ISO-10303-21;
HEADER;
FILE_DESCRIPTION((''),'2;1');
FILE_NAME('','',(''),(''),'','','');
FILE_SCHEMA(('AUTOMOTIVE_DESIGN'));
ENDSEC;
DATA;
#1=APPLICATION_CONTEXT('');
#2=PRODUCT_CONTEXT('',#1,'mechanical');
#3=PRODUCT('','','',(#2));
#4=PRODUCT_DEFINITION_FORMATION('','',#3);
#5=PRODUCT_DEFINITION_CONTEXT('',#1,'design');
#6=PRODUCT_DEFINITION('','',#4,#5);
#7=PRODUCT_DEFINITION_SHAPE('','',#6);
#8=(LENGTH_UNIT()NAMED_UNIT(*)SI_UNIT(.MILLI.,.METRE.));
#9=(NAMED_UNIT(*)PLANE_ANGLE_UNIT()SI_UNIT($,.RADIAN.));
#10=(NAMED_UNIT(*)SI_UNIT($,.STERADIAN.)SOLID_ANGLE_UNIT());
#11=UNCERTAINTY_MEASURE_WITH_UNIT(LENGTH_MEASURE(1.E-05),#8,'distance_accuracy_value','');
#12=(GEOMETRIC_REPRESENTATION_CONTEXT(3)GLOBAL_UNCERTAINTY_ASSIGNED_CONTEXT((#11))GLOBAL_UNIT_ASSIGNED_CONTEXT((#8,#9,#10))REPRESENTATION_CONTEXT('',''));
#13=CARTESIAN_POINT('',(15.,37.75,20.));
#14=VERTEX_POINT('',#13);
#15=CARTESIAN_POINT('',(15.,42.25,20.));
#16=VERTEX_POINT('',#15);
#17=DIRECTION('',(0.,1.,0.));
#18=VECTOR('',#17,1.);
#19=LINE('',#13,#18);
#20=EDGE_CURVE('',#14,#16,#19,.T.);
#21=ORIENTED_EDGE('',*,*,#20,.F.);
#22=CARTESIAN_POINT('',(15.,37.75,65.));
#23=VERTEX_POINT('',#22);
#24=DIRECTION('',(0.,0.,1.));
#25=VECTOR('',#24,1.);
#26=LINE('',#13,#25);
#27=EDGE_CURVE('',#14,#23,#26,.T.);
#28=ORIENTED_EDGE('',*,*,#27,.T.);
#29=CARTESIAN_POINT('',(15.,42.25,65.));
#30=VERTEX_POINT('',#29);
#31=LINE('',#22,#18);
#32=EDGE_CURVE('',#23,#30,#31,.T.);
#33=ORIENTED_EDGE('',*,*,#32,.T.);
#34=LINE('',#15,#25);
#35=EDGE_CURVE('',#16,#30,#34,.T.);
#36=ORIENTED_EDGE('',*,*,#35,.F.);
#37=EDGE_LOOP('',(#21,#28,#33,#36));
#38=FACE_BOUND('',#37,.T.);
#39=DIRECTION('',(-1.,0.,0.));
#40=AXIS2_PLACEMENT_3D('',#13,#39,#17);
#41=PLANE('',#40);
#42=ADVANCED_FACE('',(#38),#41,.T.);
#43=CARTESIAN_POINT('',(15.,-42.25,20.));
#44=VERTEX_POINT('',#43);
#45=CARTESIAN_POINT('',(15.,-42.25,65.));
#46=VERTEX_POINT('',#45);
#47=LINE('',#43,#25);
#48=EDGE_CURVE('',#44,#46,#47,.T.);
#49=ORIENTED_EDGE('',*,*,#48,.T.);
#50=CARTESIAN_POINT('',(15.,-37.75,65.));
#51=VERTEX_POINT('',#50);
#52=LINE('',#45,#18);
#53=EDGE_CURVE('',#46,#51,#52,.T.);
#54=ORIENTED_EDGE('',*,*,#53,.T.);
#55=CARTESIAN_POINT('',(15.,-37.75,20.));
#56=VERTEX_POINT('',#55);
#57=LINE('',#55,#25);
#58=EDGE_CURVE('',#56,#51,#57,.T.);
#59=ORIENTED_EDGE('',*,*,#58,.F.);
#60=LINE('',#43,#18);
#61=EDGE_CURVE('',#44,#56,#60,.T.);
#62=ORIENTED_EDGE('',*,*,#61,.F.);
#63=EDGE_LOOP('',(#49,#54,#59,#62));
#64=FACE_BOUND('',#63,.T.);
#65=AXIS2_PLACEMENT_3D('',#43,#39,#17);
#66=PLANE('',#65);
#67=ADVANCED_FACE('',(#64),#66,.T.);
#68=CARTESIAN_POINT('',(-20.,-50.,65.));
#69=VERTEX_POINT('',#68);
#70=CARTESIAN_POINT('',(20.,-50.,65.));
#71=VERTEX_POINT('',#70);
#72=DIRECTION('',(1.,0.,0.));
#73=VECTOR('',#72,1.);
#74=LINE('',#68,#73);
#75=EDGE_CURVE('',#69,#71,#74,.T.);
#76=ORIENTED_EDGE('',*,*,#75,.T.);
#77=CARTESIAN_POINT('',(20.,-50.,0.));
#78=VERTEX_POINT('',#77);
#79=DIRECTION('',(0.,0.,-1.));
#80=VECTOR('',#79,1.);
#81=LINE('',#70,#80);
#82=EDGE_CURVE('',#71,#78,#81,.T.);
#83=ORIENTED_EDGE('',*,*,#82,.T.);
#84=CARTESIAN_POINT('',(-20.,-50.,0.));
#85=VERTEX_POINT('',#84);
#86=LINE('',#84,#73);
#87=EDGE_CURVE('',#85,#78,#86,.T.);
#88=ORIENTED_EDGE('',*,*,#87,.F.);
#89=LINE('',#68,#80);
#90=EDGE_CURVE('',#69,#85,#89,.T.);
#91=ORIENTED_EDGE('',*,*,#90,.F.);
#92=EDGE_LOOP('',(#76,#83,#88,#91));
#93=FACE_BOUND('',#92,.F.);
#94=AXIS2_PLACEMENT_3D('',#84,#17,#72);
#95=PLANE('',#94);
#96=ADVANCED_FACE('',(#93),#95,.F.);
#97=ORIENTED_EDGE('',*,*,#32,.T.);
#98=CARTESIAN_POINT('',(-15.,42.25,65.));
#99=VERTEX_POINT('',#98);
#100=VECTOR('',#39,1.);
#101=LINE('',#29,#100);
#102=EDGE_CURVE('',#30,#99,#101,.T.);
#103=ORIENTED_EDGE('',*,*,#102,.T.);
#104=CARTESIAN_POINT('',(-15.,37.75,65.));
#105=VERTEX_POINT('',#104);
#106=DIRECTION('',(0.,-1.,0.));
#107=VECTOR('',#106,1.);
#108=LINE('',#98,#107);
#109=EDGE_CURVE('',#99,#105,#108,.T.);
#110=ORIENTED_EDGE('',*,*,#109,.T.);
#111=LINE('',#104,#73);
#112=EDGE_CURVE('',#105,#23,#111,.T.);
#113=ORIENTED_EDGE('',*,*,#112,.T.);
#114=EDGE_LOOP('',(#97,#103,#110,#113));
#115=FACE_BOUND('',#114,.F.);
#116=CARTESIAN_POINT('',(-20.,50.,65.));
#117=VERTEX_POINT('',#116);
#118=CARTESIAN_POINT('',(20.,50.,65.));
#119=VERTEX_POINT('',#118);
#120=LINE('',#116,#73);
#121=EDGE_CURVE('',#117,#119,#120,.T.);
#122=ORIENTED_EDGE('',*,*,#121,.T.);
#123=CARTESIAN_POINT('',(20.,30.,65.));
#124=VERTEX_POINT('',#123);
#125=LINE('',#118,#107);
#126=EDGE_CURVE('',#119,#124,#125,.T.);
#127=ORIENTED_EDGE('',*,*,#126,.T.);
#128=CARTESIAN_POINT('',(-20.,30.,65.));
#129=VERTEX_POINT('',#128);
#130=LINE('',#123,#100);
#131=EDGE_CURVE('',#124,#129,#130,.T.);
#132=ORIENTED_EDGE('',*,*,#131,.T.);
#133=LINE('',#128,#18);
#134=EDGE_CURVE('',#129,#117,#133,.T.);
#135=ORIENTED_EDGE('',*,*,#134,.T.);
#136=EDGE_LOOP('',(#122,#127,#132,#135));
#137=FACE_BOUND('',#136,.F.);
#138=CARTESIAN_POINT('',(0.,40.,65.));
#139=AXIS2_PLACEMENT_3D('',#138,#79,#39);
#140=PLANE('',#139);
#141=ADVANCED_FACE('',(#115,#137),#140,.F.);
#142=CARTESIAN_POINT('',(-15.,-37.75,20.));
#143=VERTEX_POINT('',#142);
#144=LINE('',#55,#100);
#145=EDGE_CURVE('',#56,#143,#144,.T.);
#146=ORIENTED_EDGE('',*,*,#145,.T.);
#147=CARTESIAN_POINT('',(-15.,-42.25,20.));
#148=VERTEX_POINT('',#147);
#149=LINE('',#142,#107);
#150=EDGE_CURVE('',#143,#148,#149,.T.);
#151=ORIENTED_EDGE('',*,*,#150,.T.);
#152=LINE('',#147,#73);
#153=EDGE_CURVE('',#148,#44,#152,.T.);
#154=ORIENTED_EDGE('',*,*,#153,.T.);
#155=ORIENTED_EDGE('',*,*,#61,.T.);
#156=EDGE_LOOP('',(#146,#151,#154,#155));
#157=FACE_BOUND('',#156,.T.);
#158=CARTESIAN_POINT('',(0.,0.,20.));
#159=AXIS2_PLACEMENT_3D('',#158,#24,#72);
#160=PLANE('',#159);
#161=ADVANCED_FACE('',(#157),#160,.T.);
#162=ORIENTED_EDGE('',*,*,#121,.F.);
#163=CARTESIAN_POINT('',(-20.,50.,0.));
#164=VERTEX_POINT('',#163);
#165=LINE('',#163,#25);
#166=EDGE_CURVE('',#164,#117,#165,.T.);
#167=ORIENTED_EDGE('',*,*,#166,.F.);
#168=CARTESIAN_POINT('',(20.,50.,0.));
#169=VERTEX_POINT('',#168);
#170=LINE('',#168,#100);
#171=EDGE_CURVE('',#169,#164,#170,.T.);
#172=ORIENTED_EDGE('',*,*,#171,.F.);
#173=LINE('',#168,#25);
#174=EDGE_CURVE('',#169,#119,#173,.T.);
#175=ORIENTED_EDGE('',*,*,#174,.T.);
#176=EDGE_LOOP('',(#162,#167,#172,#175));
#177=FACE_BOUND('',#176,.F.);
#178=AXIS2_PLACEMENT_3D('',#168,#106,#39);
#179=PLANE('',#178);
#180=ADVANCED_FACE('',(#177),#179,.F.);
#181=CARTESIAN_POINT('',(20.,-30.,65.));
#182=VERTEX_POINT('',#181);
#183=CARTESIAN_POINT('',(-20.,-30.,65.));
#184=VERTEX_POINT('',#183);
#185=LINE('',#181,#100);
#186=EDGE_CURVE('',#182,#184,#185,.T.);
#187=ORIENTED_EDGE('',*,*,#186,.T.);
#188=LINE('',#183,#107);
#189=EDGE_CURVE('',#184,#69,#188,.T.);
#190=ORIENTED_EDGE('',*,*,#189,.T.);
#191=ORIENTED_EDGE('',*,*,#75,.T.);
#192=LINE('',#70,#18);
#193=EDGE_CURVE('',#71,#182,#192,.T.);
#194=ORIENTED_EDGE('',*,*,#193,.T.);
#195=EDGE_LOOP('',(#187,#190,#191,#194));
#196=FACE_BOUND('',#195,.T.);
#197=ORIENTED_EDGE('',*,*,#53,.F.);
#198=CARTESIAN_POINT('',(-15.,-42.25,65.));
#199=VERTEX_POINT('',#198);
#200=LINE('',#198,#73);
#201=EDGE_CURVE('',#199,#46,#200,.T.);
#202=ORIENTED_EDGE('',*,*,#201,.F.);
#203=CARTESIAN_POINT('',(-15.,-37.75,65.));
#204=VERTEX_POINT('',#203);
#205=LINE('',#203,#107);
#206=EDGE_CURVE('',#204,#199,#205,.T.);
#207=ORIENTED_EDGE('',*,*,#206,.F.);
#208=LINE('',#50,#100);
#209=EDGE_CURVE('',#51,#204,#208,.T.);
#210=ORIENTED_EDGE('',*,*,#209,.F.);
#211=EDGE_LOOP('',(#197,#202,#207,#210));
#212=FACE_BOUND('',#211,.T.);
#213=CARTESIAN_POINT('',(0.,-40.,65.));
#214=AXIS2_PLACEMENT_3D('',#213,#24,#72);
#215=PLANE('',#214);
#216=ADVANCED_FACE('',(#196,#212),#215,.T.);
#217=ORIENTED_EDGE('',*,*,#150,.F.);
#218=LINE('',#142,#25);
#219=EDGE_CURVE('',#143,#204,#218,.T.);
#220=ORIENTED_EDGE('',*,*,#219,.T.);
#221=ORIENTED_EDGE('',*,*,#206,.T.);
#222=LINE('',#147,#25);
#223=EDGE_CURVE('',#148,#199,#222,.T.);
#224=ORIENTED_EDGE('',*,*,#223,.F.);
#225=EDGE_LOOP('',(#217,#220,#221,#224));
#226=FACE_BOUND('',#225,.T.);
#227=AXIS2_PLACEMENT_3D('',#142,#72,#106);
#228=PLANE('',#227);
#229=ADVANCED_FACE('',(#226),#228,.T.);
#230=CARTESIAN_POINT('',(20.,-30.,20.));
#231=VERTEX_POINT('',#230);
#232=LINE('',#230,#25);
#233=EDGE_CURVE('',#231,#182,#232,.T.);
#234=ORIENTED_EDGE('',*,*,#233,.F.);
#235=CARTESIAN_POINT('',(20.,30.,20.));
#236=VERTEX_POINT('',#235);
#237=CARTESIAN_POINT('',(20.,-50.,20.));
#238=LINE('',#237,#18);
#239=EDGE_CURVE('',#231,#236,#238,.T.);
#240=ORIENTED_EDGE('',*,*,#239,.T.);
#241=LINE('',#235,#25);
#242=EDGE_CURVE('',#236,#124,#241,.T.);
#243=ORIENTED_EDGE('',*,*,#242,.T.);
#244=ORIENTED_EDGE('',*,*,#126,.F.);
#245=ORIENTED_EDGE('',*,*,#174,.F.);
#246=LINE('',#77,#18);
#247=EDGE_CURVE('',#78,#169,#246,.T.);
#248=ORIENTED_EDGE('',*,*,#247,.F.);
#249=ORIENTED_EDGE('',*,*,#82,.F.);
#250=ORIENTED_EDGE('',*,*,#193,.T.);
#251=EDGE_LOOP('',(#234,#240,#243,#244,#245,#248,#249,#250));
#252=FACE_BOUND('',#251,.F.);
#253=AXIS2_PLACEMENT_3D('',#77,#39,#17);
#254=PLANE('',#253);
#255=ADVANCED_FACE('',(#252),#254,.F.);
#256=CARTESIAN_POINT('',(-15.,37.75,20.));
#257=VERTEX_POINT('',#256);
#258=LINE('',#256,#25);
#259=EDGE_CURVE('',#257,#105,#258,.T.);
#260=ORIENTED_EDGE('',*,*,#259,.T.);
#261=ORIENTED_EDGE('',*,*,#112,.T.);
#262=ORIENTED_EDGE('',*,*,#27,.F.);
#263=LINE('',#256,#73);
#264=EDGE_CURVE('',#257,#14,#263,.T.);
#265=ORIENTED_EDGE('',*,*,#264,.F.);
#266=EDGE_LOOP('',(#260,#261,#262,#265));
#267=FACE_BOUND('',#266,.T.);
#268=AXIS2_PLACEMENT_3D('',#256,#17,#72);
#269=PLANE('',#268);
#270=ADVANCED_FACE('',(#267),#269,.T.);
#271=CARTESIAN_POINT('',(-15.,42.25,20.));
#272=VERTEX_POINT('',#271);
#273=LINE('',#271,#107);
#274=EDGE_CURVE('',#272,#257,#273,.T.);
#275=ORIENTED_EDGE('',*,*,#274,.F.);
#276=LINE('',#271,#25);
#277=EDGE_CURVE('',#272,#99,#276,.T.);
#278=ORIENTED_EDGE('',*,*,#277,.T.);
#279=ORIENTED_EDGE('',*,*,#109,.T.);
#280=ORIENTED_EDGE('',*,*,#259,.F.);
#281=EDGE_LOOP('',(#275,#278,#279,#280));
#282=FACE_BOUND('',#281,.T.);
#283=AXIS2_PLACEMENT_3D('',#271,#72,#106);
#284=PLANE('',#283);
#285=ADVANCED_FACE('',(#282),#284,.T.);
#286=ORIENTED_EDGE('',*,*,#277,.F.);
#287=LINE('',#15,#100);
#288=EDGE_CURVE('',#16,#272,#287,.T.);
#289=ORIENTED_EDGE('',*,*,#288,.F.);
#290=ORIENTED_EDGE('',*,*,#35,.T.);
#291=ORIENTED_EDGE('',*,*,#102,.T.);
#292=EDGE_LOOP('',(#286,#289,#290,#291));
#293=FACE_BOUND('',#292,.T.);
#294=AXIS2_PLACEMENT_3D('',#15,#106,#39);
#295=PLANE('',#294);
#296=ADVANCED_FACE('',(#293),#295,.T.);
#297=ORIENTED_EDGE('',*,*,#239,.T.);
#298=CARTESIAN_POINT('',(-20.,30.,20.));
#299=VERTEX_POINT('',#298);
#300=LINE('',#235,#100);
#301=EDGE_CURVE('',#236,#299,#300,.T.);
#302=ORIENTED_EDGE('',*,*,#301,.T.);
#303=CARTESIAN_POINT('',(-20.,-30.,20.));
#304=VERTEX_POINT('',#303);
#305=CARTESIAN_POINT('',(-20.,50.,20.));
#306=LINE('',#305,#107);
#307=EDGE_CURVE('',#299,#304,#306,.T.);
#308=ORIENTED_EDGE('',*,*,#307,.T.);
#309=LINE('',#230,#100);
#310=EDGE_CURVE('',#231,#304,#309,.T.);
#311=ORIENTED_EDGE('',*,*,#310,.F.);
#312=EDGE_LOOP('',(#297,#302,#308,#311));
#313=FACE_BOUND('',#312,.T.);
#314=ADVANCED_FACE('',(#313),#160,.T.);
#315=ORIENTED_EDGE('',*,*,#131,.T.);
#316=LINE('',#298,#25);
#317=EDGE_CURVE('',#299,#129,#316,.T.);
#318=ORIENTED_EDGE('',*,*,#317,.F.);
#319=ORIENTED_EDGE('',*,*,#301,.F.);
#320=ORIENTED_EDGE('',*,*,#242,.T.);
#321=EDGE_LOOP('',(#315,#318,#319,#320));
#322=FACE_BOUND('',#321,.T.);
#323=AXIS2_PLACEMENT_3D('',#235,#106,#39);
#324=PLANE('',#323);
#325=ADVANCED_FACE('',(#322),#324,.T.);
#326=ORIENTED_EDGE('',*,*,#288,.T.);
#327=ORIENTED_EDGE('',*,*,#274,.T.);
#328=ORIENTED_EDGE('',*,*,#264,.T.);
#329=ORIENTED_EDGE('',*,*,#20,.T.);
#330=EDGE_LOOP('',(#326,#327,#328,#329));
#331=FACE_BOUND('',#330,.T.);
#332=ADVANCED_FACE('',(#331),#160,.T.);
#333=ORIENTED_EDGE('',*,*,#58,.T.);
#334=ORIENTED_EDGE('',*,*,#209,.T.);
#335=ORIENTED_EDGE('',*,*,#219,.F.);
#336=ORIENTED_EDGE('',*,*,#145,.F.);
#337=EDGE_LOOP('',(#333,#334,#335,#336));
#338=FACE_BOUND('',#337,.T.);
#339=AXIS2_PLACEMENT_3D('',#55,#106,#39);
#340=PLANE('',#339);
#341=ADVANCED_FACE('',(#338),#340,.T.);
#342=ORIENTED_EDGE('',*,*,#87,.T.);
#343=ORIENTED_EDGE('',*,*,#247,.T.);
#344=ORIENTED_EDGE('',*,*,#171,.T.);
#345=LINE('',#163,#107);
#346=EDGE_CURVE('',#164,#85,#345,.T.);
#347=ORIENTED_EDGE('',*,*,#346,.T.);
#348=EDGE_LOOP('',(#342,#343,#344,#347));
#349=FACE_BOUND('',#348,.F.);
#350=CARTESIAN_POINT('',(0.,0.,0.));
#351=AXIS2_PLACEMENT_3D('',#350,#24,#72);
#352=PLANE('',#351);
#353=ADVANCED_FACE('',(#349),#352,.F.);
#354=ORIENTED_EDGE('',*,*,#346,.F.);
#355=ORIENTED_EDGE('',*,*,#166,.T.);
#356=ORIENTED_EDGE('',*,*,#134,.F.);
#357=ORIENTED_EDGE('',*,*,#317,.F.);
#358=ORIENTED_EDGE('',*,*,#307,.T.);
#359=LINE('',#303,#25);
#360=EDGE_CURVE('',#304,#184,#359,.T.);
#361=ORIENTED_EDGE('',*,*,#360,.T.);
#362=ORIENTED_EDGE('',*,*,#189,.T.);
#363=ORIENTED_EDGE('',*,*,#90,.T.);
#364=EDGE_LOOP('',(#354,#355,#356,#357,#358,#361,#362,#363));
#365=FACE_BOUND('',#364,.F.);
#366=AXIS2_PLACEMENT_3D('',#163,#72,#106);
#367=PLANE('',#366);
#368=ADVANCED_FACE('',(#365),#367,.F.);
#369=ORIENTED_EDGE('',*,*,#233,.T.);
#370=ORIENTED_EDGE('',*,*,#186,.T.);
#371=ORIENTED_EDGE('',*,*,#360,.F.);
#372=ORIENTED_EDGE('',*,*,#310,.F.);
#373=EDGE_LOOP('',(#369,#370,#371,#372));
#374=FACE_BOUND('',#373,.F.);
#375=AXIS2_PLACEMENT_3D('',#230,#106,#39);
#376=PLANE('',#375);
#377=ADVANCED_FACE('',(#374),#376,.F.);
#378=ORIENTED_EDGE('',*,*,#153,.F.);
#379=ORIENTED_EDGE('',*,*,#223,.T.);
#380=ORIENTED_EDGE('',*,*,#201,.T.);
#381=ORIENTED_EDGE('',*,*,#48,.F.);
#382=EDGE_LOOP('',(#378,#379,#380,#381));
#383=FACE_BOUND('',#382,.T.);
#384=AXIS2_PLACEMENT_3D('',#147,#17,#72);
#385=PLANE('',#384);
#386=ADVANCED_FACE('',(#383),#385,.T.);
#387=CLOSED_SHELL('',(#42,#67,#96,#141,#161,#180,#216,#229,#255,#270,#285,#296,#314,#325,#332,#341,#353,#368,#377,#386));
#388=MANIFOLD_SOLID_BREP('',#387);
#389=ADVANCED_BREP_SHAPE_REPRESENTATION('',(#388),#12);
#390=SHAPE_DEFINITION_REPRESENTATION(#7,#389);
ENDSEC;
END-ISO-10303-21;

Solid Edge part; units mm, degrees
sketch "Sketch1" plane through (0, 0, 0) normal (0, 0, 1) x (1, 0, 0)
  line L0 (20, -50) -> (20, 50)
  line L1 (20, 50) -> (-20, 50)
  line L2 (-20, 50) -> (-20, -50)
  line L3 (-20, -50) -> (20, -50)
extrude "Protrusion1" add sketch "Sketch1" along normal blind 20
sketch "Sketch2" plane through (0, 0, 20) normal (0, 0, 1) x (1, 0, 0)
  line L0 (-15, 42.25) -> (-15, 37.75)
  line L1 (-15, 37.75) -> (15, 37.75)
  line L2 (15, 37.75) -> (15, 42.25)
  line L3 (15, 42.25) -> (-15, 42.25)
  line L4 (20, 30) -> (-20, 30)
  line L5 (-20, 30) -> (-20, 50)
  line L6 (-20, 50) -> (20, 50)
  line L7 (20, 50) -> (20, 30)
  line L8 (15, -37.75) -> (-15, -37.75)
  line L9 (-15, -37.75) -> (-15, -42.25)
  line L10 (-15, -42.25) -> (15, -42.25)
  line L11 (15, -42.25) -> (15, -37.75)
  line L12 (20, -50) -> (20, -30)
  line L13 (20, -30) -> (-20, -30)
  line L14 (-20, -30) -> (-20, -50)
  line L15 (-20, -50) -> (20, -50)
extrude "Protrusion2" add sketch "Sketch2" along normal blind 45
